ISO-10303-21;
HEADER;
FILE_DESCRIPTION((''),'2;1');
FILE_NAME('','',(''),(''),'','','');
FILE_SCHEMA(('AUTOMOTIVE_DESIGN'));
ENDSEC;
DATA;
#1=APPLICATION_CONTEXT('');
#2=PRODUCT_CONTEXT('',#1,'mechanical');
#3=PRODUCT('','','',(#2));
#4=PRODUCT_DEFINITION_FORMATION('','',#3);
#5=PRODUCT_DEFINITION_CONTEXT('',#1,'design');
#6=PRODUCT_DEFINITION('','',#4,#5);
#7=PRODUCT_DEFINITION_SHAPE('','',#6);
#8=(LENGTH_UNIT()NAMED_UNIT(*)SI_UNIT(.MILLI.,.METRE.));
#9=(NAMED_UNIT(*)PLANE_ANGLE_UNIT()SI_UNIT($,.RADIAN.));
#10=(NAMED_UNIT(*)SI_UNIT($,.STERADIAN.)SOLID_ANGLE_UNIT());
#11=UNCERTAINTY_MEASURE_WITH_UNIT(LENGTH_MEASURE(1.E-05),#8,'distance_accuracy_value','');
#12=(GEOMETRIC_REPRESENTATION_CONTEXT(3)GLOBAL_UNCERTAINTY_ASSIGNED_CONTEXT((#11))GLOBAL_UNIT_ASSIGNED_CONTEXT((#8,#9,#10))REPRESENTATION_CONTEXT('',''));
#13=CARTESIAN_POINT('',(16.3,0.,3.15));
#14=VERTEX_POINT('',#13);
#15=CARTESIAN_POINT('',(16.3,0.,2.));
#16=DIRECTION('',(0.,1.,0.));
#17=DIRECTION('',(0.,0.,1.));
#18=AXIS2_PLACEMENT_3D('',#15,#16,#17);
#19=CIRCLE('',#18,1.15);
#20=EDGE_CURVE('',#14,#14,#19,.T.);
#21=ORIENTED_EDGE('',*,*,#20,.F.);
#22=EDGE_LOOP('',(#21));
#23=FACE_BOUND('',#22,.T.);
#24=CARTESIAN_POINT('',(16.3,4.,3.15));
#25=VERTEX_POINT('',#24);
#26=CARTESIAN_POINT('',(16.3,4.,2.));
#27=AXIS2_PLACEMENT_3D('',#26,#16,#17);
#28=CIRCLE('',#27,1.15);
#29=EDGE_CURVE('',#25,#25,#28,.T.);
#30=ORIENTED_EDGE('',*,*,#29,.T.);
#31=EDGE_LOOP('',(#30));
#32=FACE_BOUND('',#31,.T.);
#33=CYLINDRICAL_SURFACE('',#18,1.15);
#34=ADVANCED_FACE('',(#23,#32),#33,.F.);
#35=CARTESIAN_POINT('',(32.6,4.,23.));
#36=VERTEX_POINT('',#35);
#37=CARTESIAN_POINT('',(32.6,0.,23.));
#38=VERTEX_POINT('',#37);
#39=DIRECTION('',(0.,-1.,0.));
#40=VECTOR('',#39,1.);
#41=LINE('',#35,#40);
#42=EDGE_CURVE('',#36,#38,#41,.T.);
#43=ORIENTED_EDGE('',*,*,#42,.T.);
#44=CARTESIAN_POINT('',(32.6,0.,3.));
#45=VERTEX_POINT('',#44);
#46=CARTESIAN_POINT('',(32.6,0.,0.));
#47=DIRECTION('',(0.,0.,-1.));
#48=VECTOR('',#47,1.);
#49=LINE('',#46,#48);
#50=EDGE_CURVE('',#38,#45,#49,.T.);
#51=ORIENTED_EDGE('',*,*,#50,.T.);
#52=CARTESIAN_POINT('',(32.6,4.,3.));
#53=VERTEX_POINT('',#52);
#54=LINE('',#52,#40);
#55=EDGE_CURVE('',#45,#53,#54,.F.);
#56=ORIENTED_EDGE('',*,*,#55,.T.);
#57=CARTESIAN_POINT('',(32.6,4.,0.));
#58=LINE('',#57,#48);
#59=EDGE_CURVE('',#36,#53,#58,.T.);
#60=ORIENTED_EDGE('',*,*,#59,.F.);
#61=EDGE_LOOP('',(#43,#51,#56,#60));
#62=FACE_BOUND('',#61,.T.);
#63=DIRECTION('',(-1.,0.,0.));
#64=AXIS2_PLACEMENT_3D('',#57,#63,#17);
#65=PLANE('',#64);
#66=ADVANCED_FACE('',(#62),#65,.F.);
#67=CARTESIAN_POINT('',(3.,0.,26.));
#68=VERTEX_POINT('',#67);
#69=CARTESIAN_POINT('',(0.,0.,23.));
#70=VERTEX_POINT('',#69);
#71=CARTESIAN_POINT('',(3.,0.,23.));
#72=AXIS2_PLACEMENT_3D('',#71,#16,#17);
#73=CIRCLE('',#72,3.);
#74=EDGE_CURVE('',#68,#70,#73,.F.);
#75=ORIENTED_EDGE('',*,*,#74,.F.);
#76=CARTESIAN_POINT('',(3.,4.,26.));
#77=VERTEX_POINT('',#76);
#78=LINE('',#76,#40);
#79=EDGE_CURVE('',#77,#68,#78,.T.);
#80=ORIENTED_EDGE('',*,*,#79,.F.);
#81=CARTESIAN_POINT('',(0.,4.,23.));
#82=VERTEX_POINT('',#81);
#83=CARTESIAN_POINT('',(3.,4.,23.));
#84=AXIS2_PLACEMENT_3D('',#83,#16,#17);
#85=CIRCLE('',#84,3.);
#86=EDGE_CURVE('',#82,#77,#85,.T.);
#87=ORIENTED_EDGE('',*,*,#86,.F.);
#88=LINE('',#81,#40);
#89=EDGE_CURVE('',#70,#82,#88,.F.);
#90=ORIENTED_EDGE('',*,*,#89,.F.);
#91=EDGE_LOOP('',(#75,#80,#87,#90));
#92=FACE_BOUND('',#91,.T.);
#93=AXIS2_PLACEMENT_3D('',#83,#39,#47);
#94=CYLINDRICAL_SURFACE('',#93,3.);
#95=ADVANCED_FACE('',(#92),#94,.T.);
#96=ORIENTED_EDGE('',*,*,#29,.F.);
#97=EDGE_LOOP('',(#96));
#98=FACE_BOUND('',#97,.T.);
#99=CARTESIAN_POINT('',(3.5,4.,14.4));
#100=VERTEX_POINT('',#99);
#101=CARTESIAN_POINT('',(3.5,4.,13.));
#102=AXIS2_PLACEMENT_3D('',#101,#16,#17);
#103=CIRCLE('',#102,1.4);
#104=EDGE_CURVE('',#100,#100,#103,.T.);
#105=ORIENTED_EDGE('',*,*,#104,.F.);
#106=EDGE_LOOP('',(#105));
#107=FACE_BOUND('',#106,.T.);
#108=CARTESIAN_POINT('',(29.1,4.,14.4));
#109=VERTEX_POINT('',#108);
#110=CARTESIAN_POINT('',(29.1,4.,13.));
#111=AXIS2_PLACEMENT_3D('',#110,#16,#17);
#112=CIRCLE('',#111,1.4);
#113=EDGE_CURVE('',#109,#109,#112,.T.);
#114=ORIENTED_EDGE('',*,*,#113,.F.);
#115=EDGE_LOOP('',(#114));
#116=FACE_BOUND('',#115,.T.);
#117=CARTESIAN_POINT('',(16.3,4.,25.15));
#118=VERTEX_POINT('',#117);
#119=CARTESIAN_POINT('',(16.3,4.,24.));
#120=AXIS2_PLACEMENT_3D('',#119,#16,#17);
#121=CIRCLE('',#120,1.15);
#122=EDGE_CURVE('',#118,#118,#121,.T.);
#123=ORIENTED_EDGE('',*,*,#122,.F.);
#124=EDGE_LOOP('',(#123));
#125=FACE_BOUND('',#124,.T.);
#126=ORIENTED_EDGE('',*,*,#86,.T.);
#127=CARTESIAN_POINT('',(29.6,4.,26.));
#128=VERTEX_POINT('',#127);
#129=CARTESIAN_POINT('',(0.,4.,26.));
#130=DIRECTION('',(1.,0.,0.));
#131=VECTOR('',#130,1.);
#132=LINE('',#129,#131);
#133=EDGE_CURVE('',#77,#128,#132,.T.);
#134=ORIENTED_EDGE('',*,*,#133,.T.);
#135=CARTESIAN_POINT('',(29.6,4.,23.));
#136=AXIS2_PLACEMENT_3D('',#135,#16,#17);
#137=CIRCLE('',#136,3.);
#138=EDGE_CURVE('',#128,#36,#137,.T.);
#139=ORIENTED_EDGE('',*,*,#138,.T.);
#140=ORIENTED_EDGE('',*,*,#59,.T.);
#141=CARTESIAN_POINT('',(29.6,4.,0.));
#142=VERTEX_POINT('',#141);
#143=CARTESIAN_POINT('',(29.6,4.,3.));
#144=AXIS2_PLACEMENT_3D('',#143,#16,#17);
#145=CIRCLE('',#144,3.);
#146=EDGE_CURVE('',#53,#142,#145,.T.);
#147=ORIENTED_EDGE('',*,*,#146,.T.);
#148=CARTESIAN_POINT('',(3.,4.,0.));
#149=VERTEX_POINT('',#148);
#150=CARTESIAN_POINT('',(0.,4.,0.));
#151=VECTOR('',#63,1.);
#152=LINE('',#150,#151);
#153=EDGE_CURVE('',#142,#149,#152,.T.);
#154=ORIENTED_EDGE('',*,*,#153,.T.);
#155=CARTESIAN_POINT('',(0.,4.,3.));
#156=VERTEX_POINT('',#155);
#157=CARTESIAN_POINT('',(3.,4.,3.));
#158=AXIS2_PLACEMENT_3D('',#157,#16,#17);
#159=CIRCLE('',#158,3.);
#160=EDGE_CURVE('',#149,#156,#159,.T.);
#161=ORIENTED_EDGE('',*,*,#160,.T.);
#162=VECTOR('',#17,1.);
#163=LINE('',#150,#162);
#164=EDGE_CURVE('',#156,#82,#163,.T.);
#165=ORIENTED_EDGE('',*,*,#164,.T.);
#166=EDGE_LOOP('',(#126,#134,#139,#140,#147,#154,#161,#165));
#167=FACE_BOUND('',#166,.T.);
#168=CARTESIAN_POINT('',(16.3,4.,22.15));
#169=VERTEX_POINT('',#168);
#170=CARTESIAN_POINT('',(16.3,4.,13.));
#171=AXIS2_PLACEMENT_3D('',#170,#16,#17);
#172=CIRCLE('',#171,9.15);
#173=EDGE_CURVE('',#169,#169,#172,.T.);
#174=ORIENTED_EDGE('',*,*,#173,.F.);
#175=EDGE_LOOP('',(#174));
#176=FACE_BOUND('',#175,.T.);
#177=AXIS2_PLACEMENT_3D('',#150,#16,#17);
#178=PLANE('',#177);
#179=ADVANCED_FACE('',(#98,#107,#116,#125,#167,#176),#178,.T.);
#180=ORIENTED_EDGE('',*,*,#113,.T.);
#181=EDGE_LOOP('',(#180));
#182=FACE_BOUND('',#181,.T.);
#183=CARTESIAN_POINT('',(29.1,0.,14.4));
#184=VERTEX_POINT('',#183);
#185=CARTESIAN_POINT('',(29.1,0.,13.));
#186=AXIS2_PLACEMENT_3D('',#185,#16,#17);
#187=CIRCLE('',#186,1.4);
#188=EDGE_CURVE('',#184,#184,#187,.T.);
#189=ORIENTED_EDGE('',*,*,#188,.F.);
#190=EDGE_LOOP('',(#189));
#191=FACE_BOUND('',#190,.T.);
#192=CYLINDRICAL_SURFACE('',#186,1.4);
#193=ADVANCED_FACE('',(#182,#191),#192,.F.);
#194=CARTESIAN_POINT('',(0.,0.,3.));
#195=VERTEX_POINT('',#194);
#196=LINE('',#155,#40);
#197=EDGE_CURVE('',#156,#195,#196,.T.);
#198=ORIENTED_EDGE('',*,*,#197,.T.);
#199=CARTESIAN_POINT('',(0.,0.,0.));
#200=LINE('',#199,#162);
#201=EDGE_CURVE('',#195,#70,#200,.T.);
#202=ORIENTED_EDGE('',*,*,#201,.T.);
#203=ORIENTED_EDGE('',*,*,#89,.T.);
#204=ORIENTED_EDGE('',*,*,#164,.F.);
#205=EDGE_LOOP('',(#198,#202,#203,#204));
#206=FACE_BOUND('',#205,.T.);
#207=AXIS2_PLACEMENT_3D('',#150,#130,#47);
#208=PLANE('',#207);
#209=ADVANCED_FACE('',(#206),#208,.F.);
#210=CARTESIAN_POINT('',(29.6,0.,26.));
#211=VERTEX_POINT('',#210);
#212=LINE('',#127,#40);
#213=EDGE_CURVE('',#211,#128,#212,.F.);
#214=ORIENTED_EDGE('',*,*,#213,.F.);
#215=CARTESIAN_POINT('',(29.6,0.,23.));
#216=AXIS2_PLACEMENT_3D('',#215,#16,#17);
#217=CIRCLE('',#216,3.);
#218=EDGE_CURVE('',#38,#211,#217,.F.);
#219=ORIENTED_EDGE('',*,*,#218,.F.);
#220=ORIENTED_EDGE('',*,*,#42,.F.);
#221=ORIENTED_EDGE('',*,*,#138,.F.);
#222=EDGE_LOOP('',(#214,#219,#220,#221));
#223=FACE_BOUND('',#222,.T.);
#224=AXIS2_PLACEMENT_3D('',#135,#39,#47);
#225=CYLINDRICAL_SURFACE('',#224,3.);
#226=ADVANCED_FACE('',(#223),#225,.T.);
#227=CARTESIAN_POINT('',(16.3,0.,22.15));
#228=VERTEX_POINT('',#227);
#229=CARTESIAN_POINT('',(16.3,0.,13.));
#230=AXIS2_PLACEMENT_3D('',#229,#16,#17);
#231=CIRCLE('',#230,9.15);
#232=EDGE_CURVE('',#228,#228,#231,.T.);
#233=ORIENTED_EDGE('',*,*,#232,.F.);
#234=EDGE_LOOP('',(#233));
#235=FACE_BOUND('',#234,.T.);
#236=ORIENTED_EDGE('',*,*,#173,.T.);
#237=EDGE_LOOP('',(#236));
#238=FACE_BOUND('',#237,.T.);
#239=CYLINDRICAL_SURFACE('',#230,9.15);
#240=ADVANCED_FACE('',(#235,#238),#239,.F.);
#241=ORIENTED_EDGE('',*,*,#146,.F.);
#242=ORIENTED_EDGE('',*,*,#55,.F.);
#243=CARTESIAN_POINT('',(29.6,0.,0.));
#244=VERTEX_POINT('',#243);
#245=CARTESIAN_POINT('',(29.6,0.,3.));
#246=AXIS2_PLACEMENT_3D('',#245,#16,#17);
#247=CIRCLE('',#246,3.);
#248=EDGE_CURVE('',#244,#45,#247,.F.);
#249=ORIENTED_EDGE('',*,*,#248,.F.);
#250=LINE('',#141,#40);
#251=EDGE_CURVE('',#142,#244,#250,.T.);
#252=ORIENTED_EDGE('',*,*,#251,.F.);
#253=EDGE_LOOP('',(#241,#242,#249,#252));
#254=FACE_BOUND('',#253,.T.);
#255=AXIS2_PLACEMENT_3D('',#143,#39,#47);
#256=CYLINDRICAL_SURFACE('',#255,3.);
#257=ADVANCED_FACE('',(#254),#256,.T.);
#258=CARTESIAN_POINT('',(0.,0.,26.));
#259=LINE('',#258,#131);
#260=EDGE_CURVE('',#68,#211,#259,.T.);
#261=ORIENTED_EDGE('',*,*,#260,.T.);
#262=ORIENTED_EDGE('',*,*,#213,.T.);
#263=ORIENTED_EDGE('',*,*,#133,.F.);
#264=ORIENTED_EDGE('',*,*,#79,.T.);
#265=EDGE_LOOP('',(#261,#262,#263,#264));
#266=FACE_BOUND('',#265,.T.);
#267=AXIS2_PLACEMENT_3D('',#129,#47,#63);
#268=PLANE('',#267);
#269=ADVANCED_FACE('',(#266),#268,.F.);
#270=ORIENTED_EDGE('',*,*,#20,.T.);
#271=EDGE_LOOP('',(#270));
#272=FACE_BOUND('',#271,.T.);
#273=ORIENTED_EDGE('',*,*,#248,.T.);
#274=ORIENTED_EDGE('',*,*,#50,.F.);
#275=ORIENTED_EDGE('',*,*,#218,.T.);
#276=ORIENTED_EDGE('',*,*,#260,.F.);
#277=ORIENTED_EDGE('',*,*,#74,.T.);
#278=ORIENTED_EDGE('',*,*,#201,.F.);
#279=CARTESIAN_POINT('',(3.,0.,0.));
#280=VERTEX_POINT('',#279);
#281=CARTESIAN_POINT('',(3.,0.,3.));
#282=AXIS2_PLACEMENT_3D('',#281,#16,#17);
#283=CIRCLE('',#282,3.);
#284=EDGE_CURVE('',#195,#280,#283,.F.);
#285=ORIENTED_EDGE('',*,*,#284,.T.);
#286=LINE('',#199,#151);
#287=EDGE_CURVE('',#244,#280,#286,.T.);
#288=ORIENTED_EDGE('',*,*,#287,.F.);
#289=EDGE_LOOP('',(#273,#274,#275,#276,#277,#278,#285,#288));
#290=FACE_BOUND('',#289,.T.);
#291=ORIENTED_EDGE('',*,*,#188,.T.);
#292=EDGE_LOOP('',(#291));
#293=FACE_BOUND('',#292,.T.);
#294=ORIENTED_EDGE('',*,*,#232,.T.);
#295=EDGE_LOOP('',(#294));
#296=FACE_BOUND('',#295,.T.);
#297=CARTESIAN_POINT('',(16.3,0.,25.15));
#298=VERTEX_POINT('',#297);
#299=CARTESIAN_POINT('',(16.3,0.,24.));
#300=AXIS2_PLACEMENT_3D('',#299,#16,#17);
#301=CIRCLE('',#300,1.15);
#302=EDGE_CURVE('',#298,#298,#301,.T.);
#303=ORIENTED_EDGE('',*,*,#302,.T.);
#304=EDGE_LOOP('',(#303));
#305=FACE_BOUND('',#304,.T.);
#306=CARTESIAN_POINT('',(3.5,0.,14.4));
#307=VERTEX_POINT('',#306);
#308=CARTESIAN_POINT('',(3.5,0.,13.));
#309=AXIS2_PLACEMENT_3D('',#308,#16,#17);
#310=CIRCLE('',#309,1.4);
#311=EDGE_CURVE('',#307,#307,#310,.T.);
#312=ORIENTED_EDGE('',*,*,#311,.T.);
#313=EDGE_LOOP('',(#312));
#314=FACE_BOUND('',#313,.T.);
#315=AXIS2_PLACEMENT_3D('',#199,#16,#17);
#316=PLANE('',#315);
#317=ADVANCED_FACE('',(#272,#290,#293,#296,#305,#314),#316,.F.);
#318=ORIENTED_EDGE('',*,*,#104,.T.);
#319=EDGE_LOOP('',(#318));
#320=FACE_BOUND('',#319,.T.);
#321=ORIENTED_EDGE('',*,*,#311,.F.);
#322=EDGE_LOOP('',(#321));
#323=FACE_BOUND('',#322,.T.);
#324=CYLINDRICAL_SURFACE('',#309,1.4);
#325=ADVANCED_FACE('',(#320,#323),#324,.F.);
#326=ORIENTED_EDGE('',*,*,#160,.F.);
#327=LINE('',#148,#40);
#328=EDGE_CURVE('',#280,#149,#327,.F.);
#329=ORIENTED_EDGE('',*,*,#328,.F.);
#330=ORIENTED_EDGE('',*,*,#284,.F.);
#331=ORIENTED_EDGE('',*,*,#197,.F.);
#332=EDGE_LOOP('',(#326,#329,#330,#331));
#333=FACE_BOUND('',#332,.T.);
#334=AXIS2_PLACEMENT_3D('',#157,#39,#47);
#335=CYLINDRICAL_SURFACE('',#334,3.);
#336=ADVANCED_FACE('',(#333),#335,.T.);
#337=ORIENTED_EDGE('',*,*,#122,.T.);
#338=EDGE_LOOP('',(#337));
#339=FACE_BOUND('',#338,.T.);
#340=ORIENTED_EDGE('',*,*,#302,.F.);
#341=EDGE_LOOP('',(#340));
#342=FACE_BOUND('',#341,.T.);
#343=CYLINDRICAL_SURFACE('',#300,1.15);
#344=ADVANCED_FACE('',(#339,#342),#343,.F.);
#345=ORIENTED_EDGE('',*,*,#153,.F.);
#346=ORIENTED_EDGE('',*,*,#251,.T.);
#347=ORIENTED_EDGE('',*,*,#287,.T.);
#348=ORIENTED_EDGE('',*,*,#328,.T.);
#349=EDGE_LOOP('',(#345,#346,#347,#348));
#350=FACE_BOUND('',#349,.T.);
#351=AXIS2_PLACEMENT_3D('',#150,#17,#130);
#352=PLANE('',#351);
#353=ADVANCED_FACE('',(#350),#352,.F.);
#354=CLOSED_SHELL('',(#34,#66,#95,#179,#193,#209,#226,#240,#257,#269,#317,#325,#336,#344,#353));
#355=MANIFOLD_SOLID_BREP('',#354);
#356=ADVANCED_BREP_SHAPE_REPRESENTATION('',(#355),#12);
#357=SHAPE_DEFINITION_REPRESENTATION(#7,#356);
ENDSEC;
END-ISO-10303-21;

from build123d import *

# Parameters (mm, degrees)
SKETCH1_W           = 32.6
SKETCH1_H           = 26
BOSS_EXTRUDE1_DEPTH = 4
SKETCH2_R           = 9.15
SKETCH2_R_2         = 1.4
SKETCH2_R_3         = 1.15
CUT_EXTRUDE1_DEPTH  = 4
FILLET1_R           = 3


with BuildPart() as part:
    # Sketch1 → Boss-Extrude1 (new body)
    with BuildSketch(Plane(origin=(0, 0, 0), x_dir=(1, 0, 0), z_dir=(0, 1, 0))):
        with Locations((16.3, -13)):
            Rectangle(SKETCH1_W, SKETCH1_H)
    extrude(amount=BOSS_EXTRUDE1_DEPTH)

    # Sketch2 → Cut-Extrude1 (cut)
    with BuildSketch(Plane(origin=(0, 4, 0), x_dir=(1, 0, 0), z_dir=(0, 1, 0))):
        with Locations(Location((16.3, -13, 0), (0, 0, 270))):
            Circle(SKETCH2_R)
        with Locations(Location((3.5, -13, 0), (0, 0, 270))):
            Circle(SKETCH2_R_2)
        with Locations(Location((29.1, -13, 0), (0, 0, 270))):
            Circle(SKETCH2_R_2)
        with Locations(Location((16.3, -2, 0), (0, 0, 270))):
            Circle(SKETCH2_R_3)
        with Locations(Location((16.3, -24, 0), (0, 0, 270))):
            Circle(SKETCH2_R_3)
    extrude(amount=-CUT_EXTRUDE1_DEPTH, mode=Mode.SUBTRACT)

    # Fillet1
    fillet1_edges = [part.edges().sort_by_distance(p)[0] for p in [
        (0, 2, 0),
        (32.6, 2, 0),
        (32.6, 2, 26),
        (0, 2, 26),
    ]]
    fillet(fillet1_edges, radius=FILLET1_R)


solid = part.part
